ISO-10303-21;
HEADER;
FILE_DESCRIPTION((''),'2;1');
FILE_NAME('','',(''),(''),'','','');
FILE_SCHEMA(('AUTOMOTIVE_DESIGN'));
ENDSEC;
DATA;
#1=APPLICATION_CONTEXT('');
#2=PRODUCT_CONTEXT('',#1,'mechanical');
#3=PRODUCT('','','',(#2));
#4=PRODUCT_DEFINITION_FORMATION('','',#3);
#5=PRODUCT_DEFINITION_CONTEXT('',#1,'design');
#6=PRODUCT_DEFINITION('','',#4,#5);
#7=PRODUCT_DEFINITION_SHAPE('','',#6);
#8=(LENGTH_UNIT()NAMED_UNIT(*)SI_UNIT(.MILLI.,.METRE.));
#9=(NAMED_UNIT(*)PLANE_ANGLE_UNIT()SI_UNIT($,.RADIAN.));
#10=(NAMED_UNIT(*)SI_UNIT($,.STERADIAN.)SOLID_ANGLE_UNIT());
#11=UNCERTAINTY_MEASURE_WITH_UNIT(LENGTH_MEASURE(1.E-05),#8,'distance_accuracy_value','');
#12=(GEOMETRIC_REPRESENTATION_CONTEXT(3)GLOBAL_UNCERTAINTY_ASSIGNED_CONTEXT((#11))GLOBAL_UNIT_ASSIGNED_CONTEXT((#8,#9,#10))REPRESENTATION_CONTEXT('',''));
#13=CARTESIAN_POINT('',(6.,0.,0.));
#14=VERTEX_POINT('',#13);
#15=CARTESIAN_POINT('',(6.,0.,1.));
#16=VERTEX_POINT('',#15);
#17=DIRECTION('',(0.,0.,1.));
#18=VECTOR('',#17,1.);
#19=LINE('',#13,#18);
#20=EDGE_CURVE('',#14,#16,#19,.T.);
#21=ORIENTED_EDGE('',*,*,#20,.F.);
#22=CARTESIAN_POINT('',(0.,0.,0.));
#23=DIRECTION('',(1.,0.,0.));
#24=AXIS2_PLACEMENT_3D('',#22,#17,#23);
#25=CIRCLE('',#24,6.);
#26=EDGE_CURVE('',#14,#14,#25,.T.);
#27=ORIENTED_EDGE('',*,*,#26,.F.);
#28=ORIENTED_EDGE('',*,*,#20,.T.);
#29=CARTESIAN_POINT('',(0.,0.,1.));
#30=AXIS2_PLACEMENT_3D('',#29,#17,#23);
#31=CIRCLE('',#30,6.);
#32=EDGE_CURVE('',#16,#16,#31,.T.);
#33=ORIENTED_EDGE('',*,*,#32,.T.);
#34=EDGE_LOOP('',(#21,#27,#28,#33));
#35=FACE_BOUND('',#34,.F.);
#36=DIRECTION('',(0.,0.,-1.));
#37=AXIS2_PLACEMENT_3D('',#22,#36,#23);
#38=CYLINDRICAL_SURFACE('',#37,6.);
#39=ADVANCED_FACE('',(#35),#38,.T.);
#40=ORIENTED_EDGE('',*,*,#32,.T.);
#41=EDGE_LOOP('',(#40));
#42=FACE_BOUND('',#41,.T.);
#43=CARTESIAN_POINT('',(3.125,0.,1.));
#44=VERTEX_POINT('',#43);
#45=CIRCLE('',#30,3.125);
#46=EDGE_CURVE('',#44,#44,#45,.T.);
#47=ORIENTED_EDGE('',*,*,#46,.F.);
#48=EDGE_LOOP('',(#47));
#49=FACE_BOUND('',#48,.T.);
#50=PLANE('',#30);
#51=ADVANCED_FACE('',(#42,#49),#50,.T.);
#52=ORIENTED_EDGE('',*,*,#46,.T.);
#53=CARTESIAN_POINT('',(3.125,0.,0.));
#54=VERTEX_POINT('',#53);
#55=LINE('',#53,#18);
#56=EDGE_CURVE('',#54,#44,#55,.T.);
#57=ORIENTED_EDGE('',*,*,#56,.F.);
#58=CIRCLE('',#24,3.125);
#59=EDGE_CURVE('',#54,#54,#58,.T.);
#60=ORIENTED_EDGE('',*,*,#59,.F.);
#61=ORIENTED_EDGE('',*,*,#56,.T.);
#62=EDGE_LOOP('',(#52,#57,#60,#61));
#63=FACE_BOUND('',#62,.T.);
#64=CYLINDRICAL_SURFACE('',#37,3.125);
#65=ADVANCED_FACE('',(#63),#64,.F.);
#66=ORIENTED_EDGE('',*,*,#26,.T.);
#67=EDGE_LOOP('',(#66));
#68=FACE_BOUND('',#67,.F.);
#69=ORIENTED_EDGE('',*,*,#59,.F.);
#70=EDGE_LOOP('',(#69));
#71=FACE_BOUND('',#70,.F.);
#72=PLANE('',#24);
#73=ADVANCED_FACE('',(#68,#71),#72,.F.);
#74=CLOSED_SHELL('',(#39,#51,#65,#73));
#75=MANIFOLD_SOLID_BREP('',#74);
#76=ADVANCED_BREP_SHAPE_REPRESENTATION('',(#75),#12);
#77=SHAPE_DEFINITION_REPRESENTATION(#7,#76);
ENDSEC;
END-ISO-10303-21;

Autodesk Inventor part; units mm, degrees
ref_plane "YZ Plane" through (0, 0, 0) normal (1, 0, 0) x (0, 1, 0)
ref_plane "XZ Plane" through (0, 0, 0) normal (0, 1, 0) x (-1, 0, 0)
ref_plane "XY Plane" through (0, 0, 0) normal (0, 0, 1) x (1, 0, 0)
sketch "スケッチ1" plane through (0, 0, 0) normal (0, 0, 1) x (1, 0, 0)
  circle A0 centre (0, 0) radius 3.125
  circle A1 centre (0, 0) radius 6
  dimension "d0" = 6.25
  dimension "d1" = 12
extrude "押し出し1" add sketch "スケッチ1" along normal blind 1
properties part number "TT-0612-10" material "열가소성 수지"
